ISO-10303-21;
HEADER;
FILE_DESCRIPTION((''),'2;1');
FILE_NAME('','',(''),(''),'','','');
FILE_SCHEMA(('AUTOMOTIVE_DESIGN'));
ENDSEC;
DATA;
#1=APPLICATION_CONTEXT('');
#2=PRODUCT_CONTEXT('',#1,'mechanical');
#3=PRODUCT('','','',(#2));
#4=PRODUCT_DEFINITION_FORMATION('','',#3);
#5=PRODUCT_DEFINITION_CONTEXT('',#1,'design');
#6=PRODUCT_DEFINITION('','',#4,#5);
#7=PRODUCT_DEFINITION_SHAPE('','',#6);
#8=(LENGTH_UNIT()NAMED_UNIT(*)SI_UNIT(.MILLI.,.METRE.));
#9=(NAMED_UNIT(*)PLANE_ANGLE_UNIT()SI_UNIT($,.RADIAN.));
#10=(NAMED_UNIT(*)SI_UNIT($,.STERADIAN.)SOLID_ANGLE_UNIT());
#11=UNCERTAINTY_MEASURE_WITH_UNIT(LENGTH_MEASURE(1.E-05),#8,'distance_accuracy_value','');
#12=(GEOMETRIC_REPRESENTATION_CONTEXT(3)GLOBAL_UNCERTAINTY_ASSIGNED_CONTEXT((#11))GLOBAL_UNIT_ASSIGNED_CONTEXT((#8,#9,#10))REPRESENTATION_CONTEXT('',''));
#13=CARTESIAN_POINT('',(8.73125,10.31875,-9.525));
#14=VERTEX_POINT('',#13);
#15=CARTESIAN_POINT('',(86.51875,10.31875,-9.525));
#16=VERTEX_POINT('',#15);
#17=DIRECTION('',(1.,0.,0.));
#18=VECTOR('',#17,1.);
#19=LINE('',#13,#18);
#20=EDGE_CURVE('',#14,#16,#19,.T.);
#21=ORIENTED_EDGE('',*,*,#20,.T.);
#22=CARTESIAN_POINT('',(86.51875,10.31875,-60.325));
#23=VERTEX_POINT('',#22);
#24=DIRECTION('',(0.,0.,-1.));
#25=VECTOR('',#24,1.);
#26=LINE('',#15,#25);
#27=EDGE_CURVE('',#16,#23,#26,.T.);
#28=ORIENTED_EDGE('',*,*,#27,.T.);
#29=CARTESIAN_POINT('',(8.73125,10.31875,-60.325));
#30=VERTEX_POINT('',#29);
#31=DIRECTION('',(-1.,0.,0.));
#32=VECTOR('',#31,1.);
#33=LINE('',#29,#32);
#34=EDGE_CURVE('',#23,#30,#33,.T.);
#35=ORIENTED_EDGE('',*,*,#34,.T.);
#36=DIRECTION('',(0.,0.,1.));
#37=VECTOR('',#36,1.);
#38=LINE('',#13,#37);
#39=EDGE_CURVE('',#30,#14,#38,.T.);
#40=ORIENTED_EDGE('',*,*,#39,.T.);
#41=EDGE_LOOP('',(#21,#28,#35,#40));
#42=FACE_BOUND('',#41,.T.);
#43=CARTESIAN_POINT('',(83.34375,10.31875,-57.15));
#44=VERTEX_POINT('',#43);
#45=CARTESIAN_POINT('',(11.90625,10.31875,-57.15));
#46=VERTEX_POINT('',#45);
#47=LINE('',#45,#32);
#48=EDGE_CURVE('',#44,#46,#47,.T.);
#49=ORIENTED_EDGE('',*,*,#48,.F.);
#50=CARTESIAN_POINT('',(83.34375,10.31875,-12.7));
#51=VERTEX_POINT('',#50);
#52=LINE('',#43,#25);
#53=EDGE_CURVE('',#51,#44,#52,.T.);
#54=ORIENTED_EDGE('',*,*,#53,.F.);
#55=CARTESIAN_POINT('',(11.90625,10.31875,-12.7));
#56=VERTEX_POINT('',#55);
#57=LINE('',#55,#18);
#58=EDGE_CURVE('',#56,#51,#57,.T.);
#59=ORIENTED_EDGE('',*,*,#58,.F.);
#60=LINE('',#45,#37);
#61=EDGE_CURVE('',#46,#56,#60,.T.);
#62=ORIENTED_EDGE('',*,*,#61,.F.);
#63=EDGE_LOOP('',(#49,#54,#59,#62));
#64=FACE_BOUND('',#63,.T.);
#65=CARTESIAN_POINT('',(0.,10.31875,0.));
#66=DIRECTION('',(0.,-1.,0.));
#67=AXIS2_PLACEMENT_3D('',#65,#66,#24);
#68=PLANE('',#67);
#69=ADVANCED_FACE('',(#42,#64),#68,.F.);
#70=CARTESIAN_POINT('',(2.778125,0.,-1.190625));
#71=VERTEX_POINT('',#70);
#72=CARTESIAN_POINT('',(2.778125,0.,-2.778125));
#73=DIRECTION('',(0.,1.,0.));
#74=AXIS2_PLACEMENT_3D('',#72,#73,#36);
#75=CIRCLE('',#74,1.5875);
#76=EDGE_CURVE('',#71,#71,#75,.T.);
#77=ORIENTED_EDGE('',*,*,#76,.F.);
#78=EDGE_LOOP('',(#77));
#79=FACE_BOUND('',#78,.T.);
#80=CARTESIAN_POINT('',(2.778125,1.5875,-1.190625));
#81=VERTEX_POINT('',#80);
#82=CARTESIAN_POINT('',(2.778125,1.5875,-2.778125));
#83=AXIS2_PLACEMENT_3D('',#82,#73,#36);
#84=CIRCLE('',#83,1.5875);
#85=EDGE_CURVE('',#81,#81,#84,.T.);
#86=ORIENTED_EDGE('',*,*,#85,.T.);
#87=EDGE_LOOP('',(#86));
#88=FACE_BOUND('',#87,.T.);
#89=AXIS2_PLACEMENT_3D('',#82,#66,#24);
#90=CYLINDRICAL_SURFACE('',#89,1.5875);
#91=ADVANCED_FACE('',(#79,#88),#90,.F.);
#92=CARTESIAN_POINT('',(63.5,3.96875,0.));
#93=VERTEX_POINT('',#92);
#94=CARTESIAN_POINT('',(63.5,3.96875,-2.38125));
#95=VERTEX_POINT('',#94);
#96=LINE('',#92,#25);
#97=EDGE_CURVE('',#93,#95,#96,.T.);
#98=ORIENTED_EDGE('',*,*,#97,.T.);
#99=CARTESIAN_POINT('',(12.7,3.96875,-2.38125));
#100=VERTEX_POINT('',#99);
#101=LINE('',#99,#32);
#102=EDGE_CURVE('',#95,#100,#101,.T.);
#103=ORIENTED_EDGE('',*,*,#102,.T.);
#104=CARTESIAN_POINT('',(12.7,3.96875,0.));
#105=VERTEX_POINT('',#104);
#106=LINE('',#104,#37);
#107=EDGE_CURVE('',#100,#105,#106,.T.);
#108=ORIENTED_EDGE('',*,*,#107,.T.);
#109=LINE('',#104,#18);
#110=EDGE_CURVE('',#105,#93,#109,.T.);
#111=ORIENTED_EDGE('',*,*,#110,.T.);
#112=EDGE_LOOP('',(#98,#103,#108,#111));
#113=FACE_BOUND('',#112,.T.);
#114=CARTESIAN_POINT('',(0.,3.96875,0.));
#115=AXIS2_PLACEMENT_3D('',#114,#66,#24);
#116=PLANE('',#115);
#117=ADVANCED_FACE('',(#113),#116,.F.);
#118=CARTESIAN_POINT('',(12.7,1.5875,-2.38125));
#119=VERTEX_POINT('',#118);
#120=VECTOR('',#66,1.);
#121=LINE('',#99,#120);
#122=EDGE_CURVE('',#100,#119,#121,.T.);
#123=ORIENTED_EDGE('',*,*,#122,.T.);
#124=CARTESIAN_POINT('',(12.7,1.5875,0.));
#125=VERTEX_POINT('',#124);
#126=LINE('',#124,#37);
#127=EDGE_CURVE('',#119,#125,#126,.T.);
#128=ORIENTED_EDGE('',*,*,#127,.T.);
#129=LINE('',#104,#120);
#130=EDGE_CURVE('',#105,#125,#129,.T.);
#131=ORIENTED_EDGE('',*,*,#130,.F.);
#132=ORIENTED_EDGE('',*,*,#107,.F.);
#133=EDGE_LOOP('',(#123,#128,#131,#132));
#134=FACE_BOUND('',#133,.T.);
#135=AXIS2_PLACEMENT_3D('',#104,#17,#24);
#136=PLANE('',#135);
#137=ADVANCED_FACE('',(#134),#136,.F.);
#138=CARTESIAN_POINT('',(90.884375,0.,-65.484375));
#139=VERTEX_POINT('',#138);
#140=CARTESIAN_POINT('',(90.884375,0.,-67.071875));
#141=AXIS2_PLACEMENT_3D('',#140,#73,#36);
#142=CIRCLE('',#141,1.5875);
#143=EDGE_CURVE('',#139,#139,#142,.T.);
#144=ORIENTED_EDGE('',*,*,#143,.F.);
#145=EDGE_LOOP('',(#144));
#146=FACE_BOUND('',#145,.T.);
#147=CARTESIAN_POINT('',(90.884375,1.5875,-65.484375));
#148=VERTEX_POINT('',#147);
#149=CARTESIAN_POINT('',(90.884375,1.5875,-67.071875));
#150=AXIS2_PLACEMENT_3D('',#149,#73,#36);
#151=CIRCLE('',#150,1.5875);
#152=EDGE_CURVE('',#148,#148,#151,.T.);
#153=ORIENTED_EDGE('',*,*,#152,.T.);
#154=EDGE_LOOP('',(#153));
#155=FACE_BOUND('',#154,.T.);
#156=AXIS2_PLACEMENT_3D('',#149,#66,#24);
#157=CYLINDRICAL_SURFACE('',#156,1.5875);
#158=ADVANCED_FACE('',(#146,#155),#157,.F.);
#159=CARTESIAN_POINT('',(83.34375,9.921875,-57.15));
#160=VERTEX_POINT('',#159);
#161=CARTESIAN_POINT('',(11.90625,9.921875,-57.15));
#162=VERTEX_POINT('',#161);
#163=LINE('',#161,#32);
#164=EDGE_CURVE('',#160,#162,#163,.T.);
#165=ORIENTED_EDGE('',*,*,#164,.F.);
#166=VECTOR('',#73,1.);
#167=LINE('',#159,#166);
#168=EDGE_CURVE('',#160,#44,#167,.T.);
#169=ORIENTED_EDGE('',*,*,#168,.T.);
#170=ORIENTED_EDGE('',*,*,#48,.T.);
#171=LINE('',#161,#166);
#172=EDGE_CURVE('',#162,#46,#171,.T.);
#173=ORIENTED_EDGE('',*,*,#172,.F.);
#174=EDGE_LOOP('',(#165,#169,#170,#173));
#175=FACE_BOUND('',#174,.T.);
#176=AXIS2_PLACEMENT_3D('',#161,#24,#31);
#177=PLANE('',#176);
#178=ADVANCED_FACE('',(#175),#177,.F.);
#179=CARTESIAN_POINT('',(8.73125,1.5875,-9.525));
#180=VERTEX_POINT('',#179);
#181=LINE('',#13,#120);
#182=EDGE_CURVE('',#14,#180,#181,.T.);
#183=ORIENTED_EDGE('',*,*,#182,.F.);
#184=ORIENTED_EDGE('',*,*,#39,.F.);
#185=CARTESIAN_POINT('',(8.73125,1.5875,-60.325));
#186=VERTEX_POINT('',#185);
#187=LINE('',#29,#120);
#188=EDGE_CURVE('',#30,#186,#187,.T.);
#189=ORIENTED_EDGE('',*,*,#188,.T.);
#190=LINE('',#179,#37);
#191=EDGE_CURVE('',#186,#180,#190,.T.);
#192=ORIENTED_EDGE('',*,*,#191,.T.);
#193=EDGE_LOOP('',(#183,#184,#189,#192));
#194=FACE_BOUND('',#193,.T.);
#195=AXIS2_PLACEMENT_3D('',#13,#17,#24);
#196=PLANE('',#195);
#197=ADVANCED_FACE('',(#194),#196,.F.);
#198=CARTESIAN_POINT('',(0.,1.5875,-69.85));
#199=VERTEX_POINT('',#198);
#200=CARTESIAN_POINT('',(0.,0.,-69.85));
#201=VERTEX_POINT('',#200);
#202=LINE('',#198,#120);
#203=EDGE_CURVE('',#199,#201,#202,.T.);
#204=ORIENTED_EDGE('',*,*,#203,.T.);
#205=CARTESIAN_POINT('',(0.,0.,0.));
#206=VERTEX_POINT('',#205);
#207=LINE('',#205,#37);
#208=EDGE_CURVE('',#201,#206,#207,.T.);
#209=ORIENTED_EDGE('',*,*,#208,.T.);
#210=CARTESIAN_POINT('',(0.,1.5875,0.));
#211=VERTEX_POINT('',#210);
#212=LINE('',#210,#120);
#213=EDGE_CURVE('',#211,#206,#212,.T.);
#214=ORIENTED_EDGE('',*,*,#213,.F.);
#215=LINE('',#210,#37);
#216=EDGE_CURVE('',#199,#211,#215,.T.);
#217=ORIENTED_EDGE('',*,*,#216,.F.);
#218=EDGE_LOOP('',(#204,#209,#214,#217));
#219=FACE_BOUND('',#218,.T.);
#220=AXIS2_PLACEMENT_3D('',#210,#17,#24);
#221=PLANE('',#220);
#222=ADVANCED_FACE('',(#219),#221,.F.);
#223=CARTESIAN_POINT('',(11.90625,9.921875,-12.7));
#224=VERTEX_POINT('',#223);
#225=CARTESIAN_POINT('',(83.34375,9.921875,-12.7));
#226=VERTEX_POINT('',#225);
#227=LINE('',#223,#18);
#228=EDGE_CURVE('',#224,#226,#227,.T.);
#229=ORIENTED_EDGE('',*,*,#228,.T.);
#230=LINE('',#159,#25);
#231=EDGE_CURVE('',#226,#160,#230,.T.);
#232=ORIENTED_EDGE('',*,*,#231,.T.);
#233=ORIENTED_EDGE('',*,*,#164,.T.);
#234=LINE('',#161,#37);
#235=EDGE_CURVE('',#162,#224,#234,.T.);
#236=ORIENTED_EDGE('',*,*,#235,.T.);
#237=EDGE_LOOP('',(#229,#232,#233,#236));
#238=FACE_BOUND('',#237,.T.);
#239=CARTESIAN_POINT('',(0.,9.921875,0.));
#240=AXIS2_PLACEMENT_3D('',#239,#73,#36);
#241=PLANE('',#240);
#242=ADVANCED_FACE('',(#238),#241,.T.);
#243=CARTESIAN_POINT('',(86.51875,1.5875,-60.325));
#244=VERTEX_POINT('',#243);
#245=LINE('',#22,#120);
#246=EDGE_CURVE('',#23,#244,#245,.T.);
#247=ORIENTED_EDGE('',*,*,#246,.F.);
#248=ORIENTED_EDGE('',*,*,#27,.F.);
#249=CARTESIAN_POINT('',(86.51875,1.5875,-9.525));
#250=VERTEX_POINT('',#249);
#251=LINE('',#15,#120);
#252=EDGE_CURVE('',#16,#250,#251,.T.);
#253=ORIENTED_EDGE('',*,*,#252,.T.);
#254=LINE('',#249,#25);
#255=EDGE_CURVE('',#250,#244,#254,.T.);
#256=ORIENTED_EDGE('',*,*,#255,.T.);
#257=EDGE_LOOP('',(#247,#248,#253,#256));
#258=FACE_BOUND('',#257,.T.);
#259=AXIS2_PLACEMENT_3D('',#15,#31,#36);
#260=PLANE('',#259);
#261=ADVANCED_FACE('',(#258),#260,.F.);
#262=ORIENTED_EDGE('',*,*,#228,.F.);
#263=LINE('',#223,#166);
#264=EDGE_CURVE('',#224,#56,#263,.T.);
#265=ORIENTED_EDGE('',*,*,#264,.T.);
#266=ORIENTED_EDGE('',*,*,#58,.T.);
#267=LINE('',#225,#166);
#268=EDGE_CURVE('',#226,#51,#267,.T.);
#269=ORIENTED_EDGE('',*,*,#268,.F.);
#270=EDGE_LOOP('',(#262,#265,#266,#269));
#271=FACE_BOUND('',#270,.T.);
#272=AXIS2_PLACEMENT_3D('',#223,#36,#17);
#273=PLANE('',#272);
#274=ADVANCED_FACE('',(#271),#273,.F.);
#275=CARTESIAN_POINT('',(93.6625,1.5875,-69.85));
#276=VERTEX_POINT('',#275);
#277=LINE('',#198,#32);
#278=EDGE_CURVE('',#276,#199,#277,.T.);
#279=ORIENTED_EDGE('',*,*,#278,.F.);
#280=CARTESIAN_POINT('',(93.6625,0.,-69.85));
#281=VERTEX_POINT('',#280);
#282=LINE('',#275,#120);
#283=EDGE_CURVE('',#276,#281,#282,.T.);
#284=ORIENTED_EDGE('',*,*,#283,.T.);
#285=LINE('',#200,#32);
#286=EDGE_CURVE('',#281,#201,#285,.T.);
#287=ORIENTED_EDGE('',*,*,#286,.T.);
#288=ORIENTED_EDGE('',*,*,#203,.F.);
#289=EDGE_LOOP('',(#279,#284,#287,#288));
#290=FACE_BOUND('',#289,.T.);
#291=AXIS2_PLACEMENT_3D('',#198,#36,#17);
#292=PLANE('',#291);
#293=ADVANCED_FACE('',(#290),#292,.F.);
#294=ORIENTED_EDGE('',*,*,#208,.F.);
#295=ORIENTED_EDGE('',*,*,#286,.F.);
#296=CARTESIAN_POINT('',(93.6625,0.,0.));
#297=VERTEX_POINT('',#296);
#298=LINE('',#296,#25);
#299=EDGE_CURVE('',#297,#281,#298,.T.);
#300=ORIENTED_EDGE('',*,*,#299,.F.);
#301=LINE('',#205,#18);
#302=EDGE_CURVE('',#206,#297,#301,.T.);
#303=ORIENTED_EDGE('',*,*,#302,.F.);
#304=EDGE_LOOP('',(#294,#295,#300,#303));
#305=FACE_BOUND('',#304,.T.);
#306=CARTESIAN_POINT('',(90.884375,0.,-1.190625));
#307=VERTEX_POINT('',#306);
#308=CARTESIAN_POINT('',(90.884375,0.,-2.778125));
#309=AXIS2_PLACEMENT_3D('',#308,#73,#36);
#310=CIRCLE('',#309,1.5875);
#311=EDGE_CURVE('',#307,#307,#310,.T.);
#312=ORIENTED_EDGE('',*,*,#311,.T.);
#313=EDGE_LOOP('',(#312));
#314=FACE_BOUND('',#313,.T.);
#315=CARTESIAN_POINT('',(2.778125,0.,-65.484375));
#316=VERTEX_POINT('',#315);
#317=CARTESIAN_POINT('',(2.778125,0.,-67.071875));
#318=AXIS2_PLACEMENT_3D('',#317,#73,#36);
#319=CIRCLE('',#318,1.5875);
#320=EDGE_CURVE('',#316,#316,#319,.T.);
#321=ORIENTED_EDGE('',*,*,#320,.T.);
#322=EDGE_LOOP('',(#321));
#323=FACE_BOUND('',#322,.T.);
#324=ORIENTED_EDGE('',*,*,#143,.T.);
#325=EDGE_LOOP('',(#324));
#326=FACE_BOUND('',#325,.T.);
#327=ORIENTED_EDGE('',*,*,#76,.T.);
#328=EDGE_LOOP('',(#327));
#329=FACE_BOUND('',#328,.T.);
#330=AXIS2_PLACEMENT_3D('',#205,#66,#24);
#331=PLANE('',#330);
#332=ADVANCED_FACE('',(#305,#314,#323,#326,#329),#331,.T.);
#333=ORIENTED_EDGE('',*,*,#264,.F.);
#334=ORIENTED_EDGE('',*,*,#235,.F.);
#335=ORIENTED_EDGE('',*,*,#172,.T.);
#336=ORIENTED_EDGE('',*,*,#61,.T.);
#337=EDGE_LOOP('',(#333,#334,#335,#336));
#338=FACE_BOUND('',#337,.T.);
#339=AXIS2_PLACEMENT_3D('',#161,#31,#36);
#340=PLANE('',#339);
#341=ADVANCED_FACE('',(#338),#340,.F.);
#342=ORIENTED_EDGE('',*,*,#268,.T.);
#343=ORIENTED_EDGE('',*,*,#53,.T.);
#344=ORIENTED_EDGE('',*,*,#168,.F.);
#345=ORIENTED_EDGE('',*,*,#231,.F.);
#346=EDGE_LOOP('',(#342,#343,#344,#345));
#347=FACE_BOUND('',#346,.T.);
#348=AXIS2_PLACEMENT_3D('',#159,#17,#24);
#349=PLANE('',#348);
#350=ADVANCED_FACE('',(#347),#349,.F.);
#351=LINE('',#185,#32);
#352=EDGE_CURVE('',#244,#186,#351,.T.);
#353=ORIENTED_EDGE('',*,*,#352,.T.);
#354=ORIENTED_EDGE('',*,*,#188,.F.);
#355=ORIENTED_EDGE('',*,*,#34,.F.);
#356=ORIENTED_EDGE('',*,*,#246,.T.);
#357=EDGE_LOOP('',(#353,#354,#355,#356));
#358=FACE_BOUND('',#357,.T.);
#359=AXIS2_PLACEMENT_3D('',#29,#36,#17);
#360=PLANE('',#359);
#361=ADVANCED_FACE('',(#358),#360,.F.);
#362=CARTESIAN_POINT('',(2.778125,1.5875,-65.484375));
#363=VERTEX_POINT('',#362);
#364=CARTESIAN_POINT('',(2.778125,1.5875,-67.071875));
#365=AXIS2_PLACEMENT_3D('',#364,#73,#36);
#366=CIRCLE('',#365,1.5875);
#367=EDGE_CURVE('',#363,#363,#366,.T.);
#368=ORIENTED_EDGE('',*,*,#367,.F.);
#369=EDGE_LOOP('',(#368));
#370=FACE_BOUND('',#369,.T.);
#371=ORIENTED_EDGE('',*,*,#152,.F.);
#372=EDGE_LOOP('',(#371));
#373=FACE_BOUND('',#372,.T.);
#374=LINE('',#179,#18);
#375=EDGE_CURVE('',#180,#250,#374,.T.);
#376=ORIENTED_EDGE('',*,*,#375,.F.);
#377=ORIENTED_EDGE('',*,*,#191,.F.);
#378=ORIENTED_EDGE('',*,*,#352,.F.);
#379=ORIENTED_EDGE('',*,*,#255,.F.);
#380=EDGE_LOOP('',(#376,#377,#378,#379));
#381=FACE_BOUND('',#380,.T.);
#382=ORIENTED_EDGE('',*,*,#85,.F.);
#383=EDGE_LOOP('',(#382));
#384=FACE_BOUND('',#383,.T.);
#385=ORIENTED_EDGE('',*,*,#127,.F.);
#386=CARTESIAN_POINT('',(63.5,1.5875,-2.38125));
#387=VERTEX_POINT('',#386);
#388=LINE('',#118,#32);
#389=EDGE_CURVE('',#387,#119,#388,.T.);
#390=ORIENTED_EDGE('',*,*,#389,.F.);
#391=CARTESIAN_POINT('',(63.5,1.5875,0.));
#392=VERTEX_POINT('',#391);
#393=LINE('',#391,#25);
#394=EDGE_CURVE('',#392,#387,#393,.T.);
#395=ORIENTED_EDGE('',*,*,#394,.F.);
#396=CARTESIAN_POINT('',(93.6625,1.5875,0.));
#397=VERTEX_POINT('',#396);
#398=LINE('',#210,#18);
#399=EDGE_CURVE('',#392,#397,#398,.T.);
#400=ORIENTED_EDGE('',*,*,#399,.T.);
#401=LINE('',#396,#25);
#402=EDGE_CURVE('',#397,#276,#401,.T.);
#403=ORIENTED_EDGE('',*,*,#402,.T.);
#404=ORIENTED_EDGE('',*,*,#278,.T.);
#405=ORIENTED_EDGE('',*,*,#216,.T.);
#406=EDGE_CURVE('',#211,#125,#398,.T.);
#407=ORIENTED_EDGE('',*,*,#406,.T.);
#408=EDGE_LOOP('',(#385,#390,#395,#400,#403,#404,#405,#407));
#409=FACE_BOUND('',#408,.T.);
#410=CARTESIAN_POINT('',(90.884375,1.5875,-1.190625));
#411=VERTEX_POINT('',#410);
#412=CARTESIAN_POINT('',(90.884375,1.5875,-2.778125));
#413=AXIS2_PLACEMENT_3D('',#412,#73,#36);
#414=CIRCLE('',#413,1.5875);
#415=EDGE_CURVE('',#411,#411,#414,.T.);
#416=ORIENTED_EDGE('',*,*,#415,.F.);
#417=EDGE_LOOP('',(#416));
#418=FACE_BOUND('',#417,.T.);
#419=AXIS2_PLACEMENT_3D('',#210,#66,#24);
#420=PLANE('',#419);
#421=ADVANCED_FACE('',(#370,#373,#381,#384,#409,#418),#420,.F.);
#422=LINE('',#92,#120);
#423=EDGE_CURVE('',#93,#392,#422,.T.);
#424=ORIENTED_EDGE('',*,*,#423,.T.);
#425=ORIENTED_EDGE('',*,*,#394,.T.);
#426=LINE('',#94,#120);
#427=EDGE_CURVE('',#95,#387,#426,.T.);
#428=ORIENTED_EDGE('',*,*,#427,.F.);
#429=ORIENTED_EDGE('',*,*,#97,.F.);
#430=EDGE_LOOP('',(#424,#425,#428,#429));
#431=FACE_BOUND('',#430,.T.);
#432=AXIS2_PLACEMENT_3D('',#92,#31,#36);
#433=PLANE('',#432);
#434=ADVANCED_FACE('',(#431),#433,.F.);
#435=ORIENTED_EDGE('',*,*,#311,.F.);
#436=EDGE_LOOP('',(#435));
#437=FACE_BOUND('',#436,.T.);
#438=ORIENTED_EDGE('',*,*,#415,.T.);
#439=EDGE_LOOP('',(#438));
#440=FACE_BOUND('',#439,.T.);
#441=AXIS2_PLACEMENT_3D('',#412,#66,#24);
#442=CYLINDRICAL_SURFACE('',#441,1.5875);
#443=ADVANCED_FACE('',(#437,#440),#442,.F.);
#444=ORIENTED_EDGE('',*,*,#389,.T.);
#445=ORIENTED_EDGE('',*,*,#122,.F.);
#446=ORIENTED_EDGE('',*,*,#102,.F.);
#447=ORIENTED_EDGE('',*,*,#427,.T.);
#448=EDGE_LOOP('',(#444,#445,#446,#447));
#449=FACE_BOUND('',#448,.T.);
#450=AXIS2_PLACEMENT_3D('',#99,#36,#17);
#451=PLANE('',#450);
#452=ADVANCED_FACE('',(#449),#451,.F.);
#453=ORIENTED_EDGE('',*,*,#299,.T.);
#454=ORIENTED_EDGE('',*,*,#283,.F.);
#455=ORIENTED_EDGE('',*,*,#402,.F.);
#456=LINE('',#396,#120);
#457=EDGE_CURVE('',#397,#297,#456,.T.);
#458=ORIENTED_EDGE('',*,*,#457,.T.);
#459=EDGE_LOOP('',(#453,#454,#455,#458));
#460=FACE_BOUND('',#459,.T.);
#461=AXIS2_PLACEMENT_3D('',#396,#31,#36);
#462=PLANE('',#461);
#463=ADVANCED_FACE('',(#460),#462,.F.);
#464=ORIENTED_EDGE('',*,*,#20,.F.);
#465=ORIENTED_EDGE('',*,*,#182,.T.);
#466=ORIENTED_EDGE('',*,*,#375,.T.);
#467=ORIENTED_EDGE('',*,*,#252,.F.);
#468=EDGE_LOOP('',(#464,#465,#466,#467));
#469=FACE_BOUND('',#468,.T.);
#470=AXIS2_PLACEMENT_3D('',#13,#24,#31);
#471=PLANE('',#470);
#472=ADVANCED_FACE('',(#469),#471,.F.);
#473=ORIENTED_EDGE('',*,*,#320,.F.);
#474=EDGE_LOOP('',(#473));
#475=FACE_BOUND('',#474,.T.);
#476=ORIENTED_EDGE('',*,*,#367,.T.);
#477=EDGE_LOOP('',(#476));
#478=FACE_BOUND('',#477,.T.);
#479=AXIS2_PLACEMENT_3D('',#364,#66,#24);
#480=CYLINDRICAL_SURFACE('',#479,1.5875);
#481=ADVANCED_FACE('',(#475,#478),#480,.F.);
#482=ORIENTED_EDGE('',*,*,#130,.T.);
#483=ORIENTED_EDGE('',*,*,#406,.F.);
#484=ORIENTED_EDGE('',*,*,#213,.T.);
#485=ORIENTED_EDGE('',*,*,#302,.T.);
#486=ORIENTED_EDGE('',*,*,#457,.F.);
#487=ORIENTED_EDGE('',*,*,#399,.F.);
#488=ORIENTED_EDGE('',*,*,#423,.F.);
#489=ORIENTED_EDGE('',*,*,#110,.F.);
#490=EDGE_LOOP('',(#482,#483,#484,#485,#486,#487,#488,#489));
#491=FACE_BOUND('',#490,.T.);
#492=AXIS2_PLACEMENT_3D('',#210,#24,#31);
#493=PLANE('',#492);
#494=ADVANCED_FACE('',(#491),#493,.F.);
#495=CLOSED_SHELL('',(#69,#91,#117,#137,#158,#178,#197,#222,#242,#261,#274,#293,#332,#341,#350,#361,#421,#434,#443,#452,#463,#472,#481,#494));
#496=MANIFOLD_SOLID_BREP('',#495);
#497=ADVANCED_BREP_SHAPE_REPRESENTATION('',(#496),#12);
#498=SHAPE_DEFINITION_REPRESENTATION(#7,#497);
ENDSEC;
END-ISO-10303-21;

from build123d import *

# Parameters (mm, degrees)
SKETCH1_W           = 93.6625
SKETCH1_H           = 69.85
SKETCH1_R           = 1.5875
BOSS_EXTRUDE1_DEPTH = 1.5875
SKETCH2_W           = 77.7875
SKETCH2_H           = 50.8
BOSS_EXTRUDE2_DEPTH = 8.73125
SKETCH3_W           = 50.8
SKETCH3_H           = 2.38125
BOSS_EXTRUDE3_DEPTH = 2.38125
SKETCH4_W           = 71.4375
SKETCH4_H           = 44.45
CUT_EXTRUDE1_DEPTH  = 0.396875


with BuildPart() as part:
    # Sketch1 → Boss-Extrude1 (new body)
    with BuildSketch(Plane(origin=(0, 0, 0), x_dir=(1, 0, 0), z_dir=(0, 1, 0))):
        with Locations((46.83125, 34.925)):
            Rectangle(SKETCH1_W, SKETCH1_H)
        with Locations((2.778125, 67.071875)):
            Circle(SKETCH1_R, mode=Mode.SUBTRACT)
        with Locations((90.884375, 67.071875)):
            Circle(SKETCH1_R, mode=Mode.SUBTRACT)
        with Locations((2.778125, 2.778125)):
            Circle(SKETCH1_R, mode=Mode.SUBTRACT)
        with Locations((90.884375, 2.778125)):
            Circle(SKETCH1_R, mode=Mode.SUBTRACT)
    extrude(amount=BOSS_EXTRUDE1_DEPTH)

    # Sketch2 → Boss-Extrude2 (add)
    with BuildSketch(Plane(origin=(0, 1.5875, 0), x_dir=(1, 0, 0), z_dir=(0, 1, 0))):
        with Locations((47.625, 34.925)):
            Rectangle(SKETCH2_W, SKETCH2_H)
    extrude(amount=BOSS_EXTRUDE2_DEPTH)

    # Sketch3 → Boss-Extrude3 (add)
    with BuildSketch(Plane(origin=(0, 1.5875, 0), x_dir=(1, 0, 0), z_dir=(0, 1, 0))):
        with Locations((38.1, 1.190625)):
            Rectangle(SKETCH3_W, SKETCH3_H)
    extrude(amount=BOSS_EXTRUDE3_DEPTH)

    # Sketch4 → Cut-Extrude1 (cut)
    with BuildSketch(Plane(origin=(0, 10.31875, 0), x_dir=(1, 0, 0), z_dir=(0, 1, 0))):
        with Locations((47.625, 34.925)):
            Rectangle(SKETCH4_W, SKETCH4_H)
    extrude(amount=-CUT_EXTRUDE1_DEPTH, mode=Mode.SUBTRACT)


solid = part.part
